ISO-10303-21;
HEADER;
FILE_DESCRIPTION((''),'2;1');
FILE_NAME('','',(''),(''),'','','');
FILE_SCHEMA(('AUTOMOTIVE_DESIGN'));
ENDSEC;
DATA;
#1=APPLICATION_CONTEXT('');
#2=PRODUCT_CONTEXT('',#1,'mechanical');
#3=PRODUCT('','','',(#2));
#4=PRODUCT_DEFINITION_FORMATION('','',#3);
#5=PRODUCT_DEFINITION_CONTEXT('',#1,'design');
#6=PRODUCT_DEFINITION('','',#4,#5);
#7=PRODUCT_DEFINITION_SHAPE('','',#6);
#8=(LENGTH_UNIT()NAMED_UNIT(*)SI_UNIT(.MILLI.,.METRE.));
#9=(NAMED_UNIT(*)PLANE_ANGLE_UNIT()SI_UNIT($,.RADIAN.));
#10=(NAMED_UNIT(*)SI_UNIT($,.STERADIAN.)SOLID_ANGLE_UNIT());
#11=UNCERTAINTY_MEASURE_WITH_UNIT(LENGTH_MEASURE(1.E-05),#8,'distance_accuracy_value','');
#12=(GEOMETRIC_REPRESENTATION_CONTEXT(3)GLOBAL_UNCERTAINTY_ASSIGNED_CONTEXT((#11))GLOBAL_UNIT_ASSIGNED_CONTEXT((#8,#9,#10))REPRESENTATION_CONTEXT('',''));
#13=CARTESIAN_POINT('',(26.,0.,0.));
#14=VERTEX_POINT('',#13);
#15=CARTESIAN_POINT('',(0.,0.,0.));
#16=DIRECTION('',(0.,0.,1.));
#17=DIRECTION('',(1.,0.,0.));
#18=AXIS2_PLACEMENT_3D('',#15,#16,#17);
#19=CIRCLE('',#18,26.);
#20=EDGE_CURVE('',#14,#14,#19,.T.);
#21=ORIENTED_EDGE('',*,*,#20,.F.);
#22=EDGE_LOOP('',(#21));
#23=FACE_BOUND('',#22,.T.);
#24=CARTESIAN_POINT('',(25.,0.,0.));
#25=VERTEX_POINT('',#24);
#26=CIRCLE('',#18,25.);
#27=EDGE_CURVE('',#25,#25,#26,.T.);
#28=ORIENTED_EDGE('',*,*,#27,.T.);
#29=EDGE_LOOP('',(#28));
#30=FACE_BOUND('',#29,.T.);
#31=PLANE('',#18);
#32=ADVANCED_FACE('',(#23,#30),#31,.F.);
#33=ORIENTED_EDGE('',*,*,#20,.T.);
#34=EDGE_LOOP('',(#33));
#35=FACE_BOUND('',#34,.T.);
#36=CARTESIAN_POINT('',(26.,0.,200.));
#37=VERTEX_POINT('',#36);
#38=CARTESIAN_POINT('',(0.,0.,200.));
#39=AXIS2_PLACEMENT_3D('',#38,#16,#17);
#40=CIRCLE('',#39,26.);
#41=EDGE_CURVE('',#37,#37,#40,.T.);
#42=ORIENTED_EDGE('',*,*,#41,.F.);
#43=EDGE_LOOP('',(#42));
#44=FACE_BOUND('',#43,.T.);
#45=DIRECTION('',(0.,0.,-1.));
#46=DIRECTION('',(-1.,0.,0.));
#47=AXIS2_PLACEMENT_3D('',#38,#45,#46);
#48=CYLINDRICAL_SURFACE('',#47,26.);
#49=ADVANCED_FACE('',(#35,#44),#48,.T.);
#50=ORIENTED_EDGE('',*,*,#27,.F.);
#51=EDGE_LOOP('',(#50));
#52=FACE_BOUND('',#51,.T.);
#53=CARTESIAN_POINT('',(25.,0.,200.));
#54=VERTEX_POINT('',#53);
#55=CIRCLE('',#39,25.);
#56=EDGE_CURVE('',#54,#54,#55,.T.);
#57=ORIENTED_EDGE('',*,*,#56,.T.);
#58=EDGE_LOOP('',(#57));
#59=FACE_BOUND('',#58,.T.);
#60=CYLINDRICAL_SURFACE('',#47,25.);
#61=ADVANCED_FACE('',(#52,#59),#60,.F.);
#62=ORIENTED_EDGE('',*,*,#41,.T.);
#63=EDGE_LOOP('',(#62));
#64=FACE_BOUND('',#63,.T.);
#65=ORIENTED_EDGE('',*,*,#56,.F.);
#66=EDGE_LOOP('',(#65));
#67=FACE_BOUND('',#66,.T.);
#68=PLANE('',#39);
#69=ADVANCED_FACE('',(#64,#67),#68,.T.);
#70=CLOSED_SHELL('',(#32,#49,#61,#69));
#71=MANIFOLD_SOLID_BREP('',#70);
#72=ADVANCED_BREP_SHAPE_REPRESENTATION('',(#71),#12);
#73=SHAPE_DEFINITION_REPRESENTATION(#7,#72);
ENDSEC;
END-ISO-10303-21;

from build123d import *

# Parameters (mm, degrees)
ESQUISSE1_R        = 26
ESQUISSE1_R_2      = 25
BOSS_EXTRU_1_DEPTH = 200


with BuildPart() as part:
    # Esquisse1 → Boss.-Extru.1 (new body)
    with BuildSketch(Plane.XY):
        Circle(ESQUISSE1_R)
        Circle(ESQUISSE1_R_2, mode=Mode.SUBTRACT)
    extrude(amount=BOSS_EXTRU_1_DEPTH)


solid = part.part
